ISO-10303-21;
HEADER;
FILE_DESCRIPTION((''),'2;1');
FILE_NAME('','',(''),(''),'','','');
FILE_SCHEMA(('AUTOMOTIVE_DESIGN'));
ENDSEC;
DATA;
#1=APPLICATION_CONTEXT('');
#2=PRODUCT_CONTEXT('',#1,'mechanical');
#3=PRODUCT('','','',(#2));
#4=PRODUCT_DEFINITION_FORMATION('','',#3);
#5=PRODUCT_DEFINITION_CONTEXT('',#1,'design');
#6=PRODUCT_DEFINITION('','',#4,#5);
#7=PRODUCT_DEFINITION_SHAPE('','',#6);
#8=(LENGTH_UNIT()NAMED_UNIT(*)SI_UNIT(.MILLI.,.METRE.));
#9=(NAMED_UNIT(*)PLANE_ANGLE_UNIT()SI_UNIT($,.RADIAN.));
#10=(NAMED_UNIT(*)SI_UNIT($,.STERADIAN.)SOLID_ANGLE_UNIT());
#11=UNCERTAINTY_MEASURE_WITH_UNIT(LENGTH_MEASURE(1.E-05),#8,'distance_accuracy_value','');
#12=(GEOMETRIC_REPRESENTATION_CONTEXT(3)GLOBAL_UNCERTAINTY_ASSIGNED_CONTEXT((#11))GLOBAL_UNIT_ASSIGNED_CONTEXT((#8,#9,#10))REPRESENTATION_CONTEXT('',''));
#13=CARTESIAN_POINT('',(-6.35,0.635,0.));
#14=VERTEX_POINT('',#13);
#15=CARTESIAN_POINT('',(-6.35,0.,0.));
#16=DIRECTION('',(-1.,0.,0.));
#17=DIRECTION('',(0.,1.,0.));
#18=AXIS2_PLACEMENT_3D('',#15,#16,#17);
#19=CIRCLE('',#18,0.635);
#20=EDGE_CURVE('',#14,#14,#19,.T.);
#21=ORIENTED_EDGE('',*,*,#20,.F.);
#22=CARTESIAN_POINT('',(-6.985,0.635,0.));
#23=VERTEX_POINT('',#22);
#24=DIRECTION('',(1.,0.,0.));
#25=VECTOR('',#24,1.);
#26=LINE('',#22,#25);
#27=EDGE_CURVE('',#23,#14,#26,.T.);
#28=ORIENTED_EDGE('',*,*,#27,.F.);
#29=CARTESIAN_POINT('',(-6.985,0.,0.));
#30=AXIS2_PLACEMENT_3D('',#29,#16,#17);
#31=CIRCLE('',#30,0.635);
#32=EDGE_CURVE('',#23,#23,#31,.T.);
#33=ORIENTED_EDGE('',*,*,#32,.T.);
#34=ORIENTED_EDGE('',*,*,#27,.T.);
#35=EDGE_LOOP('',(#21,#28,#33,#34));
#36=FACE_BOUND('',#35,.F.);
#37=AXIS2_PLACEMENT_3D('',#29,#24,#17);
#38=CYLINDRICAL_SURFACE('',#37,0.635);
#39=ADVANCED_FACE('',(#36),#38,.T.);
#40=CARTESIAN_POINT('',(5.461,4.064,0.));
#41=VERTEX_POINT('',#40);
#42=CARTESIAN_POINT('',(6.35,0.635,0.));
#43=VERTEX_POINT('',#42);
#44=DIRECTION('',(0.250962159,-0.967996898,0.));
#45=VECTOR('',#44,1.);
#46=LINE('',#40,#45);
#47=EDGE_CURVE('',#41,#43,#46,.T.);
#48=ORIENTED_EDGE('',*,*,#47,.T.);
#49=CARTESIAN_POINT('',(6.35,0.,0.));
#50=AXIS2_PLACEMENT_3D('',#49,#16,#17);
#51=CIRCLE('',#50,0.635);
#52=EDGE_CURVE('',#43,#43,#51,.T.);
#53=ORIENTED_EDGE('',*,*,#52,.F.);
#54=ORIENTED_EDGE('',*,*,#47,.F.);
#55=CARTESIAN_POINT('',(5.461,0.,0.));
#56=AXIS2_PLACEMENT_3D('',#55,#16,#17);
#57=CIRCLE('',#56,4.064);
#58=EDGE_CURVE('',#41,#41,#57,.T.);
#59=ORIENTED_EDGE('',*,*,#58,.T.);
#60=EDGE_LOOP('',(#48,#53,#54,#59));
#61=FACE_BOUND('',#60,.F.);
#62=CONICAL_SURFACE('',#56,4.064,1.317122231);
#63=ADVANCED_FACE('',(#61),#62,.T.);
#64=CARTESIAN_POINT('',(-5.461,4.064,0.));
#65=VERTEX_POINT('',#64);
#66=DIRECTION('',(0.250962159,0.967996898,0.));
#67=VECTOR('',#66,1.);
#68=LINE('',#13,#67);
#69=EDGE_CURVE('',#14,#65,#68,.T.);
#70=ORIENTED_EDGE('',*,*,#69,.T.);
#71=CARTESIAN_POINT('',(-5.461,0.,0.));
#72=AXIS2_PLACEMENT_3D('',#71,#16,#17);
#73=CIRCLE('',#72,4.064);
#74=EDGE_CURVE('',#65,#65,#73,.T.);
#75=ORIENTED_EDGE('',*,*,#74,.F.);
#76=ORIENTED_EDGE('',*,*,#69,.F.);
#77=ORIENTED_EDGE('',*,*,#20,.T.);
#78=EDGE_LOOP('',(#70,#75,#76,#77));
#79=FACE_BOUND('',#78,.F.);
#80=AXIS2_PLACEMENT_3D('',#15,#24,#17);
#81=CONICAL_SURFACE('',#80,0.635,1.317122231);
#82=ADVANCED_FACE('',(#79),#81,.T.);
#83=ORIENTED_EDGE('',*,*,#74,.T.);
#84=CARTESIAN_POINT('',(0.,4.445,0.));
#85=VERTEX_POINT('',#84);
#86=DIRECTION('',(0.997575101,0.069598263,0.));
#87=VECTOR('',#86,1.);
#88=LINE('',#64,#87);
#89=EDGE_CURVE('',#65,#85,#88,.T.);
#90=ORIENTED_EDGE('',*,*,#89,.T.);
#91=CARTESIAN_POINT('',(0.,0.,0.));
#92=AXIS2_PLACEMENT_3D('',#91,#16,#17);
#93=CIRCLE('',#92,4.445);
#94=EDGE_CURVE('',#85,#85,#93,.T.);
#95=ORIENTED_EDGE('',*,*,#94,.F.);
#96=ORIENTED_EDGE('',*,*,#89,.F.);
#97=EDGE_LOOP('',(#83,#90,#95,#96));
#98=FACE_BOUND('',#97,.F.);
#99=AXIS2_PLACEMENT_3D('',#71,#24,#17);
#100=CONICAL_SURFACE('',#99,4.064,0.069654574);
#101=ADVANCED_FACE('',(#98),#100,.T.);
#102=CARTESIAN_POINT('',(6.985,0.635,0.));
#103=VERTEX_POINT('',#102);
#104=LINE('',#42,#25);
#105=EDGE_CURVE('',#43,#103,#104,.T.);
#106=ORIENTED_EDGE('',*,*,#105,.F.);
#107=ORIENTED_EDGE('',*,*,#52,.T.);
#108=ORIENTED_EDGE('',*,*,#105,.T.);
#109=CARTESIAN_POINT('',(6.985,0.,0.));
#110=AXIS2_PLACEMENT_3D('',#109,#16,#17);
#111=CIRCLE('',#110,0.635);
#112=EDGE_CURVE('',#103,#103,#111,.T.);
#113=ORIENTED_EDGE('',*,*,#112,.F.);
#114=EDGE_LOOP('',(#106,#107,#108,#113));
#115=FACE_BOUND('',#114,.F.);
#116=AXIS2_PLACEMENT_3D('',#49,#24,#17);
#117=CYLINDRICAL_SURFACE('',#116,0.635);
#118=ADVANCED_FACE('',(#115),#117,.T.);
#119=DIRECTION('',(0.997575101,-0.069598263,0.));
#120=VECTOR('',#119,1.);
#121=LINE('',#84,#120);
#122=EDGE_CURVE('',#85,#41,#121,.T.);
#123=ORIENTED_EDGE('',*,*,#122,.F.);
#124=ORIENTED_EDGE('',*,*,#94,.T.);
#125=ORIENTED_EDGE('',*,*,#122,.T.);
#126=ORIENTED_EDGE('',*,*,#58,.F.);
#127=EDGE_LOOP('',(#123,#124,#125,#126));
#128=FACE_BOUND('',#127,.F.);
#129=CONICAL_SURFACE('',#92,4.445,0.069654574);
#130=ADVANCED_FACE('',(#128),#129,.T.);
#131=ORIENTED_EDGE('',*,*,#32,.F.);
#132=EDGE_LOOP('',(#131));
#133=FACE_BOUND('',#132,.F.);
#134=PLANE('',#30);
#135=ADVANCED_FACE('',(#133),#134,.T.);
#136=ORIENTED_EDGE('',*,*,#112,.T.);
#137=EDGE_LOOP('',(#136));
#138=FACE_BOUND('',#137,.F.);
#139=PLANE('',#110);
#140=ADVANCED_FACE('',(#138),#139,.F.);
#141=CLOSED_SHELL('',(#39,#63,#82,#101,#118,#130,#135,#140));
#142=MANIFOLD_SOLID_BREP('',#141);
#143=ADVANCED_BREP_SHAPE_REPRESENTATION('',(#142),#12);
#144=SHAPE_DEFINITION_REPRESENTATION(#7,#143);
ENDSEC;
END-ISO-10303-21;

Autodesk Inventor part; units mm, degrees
ref_plane "YZ Plane" through (0, 0, 0) normal (1, 0, 0) x (0, 1, 0)
ref_plane "XZ Plane" through (0, 0, 0) normal (0, 1, 0) x (-1, 0, 0)
ref_plane "XY Plane" through (0, 0, 0) normal (0, 0, 1) x (1, 0, 0)
sketch "Sketch1" plane through (0, 0, 0) normal (0, 0, 1) x (1, 0, 0)
  line L0 (-6.985, 0) -> (-6.985, 0.635)
  line L1 (-6.985, 0.635) -> (-6.35, 0.635)
  line L2 (-6.35, 0.635) -> (-5.461, 4.064)
  line L3 (-5.461, 4.064) -> (0, 4.445)
  line L4 (0, 4.445) -> (5.461, 4.064)
  line L5 (5.461, 4.064) -> (6.35, 0.635)
  line L6 (6.35, 0.635) -> (6.985, 0.635)
  line L7 (6.985, 0.635) -> (6.985, 0)
  line L8 (6.985, 0) -> (-6.985, 0)
  point P0 (0, 0)
  point P1 (0, 0)
  dimension "d0" = 13.97
  dimension "d1" = 4.445
  dimension "d2" = 0.635
  dimension "d3" = 4.064
  dimension "d4" = 10.922
  dimension "d5" = 12.7
revolve "Revolution1" add sketch "Sketch1" angle 360 about axis through (6.985, 0, 0) along (-1, 0, 0)
properties part number "Kornylak- Roller"
